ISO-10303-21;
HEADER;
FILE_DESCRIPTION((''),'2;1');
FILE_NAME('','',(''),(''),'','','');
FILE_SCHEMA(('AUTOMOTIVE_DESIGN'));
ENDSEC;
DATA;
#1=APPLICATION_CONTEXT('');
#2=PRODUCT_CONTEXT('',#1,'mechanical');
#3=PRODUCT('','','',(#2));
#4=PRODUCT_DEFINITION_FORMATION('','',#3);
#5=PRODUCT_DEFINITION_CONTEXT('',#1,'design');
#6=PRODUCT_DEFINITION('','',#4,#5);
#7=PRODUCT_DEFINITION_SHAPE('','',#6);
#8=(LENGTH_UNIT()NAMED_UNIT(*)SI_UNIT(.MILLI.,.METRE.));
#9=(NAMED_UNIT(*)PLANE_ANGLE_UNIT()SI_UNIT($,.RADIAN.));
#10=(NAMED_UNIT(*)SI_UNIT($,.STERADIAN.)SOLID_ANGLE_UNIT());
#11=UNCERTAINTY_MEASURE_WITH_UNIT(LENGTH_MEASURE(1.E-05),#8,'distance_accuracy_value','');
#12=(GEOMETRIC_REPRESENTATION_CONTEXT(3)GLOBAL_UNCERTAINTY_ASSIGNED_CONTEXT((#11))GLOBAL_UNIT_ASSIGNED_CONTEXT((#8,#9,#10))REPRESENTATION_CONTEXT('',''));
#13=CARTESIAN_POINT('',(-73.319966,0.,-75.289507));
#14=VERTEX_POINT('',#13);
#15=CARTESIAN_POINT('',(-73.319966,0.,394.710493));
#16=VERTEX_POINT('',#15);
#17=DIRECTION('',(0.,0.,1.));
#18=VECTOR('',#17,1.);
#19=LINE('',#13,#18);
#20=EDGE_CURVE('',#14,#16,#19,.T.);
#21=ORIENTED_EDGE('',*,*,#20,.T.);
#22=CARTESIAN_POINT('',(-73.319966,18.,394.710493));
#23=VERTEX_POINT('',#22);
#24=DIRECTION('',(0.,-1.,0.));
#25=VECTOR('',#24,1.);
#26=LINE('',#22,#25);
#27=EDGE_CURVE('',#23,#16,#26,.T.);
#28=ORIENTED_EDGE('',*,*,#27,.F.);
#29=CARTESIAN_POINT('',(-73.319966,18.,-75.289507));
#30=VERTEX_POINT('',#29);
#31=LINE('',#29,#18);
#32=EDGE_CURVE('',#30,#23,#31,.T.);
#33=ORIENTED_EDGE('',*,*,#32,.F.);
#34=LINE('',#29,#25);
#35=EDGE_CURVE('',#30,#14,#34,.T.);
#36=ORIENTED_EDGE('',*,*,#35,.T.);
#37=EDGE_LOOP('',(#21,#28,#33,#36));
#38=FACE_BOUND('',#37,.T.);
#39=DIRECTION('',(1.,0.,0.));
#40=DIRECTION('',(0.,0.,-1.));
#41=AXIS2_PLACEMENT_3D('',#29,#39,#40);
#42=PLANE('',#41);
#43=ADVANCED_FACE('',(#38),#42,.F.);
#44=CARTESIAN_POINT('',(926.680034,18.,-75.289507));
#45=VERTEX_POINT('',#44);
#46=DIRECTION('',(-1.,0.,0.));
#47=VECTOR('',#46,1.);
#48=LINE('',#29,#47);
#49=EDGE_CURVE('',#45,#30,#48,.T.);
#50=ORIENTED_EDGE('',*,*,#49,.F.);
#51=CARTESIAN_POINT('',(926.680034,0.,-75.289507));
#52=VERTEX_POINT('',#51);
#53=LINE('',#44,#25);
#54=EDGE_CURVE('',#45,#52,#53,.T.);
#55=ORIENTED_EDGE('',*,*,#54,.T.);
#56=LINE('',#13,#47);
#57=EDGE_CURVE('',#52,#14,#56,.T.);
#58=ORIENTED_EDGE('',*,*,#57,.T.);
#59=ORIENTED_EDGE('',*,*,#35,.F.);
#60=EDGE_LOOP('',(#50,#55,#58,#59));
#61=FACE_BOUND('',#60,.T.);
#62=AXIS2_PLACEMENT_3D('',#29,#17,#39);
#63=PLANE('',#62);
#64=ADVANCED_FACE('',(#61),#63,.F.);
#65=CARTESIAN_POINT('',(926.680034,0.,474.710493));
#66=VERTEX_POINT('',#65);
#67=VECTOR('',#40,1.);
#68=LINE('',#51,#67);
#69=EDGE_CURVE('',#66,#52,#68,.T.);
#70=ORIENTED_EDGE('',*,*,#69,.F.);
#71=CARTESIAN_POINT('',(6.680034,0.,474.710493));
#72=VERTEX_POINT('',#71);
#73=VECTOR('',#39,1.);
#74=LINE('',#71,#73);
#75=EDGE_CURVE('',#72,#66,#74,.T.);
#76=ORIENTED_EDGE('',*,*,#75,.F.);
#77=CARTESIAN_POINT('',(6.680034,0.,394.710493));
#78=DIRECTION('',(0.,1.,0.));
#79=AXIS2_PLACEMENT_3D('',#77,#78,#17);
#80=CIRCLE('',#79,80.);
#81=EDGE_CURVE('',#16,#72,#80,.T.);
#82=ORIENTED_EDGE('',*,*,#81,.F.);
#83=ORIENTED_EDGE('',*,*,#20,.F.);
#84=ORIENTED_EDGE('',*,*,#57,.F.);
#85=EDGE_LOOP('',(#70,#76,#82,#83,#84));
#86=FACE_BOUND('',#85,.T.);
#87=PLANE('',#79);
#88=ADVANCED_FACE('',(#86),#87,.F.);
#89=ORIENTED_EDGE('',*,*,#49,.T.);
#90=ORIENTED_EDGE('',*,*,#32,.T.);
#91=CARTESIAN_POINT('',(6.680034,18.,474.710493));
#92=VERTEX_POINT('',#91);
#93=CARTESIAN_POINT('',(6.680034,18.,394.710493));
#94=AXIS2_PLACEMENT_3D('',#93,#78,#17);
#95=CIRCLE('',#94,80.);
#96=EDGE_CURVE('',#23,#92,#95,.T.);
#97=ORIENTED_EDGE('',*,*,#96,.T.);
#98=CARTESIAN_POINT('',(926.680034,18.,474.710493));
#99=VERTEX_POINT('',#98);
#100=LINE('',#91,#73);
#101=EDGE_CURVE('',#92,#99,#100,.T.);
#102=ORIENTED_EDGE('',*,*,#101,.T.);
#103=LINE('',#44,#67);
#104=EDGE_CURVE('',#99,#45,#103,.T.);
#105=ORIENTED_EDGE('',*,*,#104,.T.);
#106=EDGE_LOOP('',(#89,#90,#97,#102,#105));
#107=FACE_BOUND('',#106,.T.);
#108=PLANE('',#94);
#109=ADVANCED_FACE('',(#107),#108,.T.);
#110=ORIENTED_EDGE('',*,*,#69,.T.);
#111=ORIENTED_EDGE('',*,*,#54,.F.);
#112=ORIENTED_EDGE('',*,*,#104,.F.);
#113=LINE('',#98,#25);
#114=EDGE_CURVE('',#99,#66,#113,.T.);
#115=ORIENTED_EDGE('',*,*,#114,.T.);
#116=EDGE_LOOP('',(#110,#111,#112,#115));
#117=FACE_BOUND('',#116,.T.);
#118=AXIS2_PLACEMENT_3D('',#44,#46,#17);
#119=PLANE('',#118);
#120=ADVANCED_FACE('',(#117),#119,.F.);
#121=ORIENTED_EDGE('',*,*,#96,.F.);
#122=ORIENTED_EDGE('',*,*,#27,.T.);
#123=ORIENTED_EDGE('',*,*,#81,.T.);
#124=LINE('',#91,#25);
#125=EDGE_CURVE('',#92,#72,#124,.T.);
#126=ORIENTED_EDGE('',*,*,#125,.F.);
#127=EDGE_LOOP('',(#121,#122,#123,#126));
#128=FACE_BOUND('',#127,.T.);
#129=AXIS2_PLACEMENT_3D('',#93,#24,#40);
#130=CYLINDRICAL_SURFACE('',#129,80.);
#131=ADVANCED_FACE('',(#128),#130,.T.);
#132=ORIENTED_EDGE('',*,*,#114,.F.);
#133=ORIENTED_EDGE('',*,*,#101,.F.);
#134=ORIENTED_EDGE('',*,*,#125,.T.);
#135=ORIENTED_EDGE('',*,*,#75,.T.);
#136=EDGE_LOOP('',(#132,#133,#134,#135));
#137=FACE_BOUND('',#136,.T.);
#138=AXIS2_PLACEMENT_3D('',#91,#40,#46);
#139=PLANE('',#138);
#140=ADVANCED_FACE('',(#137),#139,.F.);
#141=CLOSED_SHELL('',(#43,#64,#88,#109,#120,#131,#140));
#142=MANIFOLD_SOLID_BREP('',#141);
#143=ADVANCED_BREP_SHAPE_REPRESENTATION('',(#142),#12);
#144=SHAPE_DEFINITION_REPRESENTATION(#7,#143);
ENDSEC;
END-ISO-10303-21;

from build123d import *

# Parameters (mm, degrees)
BOSS_EXTRUDE1_DEPTH = 18


with BuildPart() as part:
    # Sketch1 → Boss-Extrude1 (new body)
    with BuildSketch(Plane(origin=(0, 0, 0), x_dir=(1, 0, 0), z_dir=(0, 1, 0))):
        with BuildLine():
            Line((-73.319965759, 75.289506906), (926.680034241, 75.289506906))
            Line((926.680034241, 75.289506906), (926.680034241, -474.710493094))
            Line((926.680034241, -474.710493094), (6.680034241, -474.710493094))
            ThreePointArc((6.680034241, -474.710493094), (-49.888508254, -451.279035589), (-73.319965759, -394.710493094))
            Line((-73.319965759, -394.710493094), (-73.319965759, 75.289506906))
        make_face()
    extrude(amount=BOSS_EXTRUDE1_DEPTH)


solid = part.part
